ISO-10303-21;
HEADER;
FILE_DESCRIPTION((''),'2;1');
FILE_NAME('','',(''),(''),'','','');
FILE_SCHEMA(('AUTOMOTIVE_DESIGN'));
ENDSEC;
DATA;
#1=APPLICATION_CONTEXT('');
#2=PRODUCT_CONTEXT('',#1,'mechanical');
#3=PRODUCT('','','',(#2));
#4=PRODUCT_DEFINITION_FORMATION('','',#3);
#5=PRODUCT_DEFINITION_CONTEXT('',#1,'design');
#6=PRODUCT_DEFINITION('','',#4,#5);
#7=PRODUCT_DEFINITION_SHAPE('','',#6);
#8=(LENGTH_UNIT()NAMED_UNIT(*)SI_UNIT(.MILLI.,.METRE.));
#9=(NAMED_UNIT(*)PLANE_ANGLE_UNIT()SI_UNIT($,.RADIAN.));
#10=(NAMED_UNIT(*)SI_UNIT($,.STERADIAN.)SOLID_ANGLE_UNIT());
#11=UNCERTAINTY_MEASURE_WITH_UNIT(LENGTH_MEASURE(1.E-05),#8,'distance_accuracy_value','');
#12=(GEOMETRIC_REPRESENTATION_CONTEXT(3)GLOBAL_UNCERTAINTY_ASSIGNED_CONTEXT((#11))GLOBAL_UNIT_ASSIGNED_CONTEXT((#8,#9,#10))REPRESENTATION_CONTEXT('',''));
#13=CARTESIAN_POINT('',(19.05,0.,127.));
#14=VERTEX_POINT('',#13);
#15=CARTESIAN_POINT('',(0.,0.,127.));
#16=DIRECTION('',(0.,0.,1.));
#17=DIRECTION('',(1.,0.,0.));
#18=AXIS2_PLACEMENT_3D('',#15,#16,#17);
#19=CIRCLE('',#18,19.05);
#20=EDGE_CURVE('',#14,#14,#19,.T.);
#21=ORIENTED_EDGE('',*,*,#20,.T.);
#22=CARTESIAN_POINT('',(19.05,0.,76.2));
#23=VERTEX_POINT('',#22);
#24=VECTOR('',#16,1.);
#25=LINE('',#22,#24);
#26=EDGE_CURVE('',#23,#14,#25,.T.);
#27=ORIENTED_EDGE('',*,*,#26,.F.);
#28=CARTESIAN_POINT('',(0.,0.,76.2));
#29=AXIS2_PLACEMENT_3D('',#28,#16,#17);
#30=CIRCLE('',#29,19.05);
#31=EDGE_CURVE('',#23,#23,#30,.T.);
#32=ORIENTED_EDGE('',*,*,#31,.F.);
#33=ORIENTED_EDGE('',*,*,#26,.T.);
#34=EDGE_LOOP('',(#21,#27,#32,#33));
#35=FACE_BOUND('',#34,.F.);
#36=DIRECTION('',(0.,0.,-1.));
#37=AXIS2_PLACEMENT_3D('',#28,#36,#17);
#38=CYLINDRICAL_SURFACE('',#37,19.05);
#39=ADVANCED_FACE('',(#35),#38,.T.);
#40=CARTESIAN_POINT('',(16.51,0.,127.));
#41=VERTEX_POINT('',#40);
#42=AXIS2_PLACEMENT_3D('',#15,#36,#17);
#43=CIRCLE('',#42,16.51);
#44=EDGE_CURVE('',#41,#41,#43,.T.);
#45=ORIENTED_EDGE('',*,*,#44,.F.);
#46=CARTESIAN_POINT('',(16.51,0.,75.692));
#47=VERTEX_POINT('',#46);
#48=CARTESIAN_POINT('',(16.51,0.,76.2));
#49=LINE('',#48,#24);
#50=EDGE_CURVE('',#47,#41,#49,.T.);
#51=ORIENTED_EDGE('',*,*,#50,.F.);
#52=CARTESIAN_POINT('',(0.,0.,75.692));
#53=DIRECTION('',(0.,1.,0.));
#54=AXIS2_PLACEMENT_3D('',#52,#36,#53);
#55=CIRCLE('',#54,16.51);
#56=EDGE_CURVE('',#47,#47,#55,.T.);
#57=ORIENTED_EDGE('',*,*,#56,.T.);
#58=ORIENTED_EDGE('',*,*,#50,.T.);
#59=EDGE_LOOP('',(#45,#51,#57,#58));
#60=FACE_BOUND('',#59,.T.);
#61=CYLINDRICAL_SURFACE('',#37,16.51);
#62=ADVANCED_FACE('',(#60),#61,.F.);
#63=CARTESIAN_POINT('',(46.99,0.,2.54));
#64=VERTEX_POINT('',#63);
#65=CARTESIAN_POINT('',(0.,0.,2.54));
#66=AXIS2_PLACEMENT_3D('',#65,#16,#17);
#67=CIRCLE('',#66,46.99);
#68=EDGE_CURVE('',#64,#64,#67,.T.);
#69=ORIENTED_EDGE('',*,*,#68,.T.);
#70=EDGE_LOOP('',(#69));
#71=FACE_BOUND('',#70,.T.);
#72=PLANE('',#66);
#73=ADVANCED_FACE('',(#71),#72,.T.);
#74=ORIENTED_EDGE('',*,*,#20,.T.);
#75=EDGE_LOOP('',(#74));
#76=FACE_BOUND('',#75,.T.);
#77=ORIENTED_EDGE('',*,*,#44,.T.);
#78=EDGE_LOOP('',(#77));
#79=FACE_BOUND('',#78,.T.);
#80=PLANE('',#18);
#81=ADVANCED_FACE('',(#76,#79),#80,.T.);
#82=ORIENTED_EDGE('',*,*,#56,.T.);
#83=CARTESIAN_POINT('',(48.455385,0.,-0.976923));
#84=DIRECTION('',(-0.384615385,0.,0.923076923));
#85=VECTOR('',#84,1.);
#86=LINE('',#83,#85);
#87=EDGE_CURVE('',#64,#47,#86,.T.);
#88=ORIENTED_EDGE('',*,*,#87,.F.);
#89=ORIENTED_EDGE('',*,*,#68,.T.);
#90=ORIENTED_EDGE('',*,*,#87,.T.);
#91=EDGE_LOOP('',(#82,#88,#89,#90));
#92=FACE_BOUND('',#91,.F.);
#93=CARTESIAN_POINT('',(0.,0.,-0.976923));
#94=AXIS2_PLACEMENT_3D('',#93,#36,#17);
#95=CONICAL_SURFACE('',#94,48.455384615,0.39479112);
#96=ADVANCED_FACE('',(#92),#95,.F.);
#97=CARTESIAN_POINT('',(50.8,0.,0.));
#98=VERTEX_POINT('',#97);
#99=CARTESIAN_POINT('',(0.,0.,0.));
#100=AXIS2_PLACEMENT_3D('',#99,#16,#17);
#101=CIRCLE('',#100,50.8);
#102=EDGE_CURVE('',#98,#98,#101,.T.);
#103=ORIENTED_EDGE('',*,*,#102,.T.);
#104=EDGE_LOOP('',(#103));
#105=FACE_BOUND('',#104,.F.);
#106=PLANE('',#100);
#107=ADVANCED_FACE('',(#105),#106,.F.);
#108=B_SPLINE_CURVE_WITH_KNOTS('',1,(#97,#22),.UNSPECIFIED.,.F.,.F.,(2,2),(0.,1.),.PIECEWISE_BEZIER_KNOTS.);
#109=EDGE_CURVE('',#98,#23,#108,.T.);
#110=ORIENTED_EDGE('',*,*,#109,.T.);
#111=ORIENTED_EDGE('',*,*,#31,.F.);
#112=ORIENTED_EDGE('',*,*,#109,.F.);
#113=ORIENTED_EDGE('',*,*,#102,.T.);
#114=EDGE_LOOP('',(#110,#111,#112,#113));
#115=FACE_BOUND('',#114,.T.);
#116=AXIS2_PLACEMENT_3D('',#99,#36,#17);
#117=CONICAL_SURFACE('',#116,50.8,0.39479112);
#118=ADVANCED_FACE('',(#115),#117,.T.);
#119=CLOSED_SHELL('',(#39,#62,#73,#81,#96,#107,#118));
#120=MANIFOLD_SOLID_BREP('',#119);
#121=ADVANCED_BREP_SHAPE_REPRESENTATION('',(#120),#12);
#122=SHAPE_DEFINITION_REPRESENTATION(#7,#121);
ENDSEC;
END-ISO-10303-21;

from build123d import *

# Parameters (mm, degrees)
F0_R     = 50.8
F2_R     = 19.05
F4_R     = 19.05
F5_DEPTH = 50.8
F6_T     = -2.54


with BuildPart() as f3:
    # F0 (on Top) → F3 section 0
    with BuildSketch(Plane.XY):
        Circle(F0_R)
    # F2 (on offset) → F3 section 1
    with BuildSketch(Plane.XY.offset(76.2)):
        Circle(F2_R)
    loft()

    # F4 (on face) → F5 (join)
    with BuildSketch(Plane.XY.offset(76.2)):
        Circle(F4_R)
    extrude(amount=F5_DEPTH)

    # F6
    f6_openings = [f3.faces().sort_by_distance(p)[0] for p in [
        (0, 0, 127),
    ]]
    offset(amount=F6_T, openings=f6_openings, kind=Kind.INTERSECTION)


solid = f3.part
